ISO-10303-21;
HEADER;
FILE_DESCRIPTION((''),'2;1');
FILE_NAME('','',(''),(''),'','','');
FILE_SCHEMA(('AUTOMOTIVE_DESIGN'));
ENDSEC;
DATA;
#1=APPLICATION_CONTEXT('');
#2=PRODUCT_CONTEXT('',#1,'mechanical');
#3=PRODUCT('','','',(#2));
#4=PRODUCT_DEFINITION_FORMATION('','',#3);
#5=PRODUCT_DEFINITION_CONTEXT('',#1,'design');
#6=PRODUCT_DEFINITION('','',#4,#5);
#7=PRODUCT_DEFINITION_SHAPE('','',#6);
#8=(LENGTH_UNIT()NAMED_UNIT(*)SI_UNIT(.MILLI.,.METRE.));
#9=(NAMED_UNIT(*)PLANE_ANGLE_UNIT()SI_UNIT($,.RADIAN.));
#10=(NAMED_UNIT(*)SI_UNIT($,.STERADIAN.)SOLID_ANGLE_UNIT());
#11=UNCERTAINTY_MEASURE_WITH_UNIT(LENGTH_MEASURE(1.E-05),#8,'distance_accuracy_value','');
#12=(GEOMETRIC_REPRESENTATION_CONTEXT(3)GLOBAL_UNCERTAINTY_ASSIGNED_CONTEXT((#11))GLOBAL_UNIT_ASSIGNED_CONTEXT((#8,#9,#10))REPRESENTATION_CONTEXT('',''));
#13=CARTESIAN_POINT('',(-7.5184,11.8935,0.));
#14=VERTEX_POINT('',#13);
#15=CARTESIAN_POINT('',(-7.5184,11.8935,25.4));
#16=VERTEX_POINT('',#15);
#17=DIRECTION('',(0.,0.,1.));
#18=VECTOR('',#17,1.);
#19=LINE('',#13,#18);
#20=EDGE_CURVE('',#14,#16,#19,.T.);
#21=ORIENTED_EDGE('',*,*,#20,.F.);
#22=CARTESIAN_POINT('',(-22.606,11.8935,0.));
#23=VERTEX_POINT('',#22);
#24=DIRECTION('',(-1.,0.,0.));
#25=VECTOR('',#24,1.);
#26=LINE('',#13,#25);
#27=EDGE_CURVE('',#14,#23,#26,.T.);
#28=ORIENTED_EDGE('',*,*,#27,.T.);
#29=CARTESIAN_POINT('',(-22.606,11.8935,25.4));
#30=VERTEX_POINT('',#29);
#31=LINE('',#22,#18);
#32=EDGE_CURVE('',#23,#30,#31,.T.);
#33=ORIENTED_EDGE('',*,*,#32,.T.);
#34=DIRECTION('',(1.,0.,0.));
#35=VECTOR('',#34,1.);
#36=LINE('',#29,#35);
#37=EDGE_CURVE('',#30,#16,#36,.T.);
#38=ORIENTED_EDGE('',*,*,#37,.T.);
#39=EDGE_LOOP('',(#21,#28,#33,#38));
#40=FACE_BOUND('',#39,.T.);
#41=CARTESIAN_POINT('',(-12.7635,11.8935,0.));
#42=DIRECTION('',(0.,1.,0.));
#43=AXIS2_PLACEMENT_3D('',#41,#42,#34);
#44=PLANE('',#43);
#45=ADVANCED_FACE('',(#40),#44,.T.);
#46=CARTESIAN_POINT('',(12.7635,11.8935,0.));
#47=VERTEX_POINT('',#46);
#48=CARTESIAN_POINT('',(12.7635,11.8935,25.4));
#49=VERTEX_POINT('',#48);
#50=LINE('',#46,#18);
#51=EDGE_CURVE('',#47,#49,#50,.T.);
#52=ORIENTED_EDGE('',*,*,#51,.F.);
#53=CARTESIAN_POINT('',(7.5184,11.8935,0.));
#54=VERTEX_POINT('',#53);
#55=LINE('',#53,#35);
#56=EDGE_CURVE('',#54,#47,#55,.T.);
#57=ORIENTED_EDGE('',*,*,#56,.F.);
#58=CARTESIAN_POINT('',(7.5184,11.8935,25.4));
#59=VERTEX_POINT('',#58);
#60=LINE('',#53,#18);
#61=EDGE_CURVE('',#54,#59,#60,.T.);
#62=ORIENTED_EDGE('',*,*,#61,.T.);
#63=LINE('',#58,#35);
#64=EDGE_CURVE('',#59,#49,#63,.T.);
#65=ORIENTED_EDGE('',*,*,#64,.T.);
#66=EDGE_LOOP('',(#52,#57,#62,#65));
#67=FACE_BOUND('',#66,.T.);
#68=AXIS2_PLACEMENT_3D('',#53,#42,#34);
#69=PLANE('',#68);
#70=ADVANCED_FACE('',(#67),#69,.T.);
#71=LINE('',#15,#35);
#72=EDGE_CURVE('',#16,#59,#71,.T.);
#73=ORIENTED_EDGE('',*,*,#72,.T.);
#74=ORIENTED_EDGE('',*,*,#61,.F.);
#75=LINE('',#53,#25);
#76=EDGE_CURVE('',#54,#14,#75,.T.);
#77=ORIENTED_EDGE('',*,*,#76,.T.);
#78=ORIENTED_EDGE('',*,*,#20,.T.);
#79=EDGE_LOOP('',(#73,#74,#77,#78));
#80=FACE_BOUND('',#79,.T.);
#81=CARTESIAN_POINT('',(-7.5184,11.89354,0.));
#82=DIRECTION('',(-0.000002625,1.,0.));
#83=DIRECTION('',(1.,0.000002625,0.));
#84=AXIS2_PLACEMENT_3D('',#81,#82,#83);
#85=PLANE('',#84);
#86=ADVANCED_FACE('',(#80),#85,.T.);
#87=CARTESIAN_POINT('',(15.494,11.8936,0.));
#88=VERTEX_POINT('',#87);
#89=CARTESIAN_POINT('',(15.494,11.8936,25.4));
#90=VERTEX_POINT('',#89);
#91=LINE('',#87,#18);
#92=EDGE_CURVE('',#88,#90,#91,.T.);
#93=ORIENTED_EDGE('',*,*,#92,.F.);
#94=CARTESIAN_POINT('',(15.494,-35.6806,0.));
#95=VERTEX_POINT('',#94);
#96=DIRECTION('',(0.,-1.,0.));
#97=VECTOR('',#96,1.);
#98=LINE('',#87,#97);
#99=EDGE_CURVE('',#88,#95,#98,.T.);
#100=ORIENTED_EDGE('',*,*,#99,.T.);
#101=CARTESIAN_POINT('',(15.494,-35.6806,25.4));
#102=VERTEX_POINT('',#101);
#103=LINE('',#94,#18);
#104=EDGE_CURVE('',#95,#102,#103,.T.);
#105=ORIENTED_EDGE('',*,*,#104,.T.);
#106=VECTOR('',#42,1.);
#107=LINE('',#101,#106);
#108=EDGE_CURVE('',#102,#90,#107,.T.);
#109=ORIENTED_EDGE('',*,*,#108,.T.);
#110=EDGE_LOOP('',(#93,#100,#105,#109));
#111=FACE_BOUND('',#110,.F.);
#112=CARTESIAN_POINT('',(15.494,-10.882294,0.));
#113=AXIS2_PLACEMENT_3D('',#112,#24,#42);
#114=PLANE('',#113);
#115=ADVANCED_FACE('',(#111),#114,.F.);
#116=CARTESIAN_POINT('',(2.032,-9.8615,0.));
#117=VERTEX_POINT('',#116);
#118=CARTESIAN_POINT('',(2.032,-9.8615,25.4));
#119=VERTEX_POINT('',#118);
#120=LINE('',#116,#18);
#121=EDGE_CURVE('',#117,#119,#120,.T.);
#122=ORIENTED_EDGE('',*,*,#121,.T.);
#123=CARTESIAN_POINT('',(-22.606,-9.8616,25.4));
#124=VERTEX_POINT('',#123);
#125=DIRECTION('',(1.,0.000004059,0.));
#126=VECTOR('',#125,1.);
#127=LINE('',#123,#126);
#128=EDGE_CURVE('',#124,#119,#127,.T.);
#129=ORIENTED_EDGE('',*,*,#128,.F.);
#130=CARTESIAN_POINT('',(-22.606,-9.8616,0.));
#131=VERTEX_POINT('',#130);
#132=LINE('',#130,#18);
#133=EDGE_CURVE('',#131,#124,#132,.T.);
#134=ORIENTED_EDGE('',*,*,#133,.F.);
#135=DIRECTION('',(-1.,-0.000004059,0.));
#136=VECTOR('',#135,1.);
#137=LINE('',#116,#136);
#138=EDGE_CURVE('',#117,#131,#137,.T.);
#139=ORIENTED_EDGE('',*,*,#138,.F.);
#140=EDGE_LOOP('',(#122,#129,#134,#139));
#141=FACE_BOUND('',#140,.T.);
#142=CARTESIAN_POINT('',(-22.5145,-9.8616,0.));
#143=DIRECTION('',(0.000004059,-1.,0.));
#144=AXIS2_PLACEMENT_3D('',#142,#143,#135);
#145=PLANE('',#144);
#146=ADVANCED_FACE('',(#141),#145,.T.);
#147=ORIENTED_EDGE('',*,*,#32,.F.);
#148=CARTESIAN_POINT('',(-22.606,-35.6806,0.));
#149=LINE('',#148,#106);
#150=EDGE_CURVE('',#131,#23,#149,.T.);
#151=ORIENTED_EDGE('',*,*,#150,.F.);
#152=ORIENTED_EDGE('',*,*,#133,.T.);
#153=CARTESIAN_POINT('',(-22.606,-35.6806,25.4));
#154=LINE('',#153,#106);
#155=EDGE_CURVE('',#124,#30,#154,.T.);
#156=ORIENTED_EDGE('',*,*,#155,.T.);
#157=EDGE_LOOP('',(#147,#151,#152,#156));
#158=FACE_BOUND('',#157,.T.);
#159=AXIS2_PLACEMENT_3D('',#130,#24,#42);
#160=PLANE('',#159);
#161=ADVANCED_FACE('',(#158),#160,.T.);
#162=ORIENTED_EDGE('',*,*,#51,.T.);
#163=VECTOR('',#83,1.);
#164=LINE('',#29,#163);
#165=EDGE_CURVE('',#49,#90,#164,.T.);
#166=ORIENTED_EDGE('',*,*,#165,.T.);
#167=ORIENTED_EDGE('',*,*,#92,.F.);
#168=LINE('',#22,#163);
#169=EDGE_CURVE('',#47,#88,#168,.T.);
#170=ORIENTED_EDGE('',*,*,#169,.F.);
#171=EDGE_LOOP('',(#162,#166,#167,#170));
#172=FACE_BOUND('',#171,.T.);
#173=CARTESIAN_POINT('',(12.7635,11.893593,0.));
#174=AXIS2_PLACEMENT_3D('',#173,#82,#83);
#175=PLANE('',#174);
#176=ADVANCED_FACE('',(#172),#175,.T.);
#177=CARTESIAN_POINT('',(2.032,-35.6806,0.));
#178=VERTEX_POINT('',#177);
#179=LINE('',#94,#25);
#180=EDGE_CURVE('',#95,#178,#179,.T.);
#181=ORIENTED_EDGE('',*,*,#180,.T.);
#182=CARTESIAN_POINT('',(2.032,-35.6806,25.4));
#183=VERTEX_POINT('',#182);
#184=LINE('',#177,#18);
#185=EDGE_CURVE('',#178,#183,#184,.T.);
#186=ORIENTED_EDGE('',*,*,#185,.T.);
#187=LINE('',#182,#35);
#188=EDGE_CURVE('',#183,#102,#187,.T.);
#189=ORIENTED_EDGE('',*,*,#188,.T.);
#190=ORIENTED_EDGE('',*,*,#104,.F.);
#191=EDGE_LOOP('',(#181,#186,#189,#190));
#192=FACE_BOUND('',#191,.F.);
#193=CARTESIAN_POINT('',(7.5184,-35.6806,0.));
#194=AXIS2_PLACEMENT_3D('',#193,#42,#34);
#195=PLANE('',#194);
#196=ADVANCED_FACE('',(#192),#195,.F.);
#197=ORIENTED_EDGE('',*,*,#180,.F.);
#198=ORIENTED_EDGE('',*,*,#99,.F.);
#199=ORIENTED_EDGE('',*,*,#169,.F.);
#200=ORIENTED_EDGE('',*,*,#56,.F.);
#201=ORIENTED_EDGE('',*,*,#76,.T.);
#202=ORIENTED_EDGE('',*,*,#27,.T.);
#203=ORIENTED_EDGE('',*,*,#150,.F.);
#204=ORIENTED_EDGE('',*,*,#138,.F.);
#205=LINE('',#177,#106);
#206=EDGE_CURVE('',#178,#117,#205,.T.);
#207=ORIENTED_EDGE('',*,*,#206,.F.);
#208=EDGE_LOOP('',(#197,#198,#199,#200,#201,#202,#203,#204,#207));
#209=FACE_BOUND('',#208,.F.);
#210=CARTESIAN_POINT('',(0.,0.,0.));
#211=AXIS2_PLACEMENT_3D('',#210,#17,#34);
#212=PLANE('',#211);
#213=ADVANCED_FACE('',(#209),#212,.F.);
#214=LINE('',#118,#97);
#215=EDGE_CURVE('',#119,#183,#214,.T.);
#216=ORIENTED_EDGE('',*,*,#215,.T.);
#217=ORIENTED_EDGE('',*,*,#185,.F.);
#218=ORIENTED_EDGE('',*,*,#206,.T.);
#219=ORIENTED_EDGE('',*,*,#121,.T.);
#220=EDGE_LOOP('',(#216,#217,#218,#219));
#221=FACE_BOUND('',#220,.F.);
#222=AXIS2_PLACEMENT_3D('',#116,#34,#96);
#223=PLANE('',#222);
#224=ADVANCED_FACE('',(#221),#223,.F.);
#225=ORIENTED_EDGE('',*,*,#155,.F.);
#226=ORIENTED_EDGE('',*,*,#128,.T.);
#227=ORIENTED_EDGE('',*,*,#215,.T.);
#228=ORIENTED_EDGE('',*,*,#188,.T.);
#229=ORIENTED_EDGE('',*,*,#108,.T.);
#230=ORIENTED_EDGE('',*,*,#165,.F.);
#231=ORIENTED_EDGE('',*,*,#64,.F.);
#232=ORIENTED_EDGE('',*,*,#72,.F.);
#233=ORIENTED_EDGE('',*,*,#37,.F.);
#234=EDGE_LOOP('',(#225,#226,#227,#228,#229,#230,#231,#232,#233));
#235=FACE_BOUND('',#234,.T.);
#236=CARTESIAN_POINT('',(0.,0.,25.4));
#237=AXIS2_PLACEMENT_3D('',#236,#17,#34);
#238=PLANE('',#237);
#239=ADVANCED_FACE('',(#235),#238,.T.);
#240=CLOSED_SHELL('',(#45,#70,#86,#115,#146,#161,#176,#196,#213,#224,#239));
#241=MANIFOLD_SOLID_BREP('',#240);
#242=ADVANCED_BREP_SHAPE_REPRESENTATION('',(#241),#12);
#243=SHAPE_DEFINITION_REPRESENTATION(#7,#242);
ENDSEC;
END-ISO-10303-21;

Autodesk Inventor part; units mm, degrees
ref_plane "YZ Plane" through (0, 0, 0) normal (1, 0, 0) x (0, 1, 0)
ref_plane "XZ Plane" through (0, 0, 0) normal (0, 1, 0) x (-1, 0, 0)
ref_plane "XY Plane" through (0, 0, 0) normal (0, 0, 1) x (1, 0, 0)
ref_plane "Work Plane1" through (0, 0, 0) normal (0, 0, 1) x (1, 0, 0)
sketch "Sketch1" plane through (0, 0, 0) normal (0, 0, 1) x (1, 0, 0)
  line L0 (-7.5184, -0.3239) -> (-7.5184, 11.8935) projected
  line L1 (-12.7635, 11.8935) -> (-7.5184, 11.8935) projected
  line L2 (-12.7635, -35.6806) -> (-12.7635, 11.8935) projected
  line L3 (-12.7635, -35.6806) -> (-7.5184, -35.6806) projected
  line L4 (-7.5184, -23.4632) -> (-7.5184, -35.6806) projected
  line L5 (-4.826, -23.4632) -> (-7.5184, -23.4632) projected
  line L6 (-4.826, -21.9739) -> (-4.826, -23.4632) projected
  arc A0 (-4.826, -1.8132) -> (-4.826, -21.9739) centre (0, -11.8935) ccw projected
  line L7 (-4.826, -1.8132) -> (-4.826, -0.3239) projected
  line L8 (-4.826, -0.3239) -> (-7.5184, -0.3239) projected
  line L9 (7.5184, 11.8935) -> (7.5184, -0.3239) projected
  line L10 (7.5184, -0.3239) -> (4.826, -0.3239) projected
  line L11 (4.826, -0.3239) -> (4.826, -1.8132) projected
  arc A1 (4.826, -21.9739) -> (4.826, -1.8132) centre (0, -11.8935) ccw projected
  line L12 (4.826, -23.4632) -> (4.826, -21.9739) projected
  line L13 (7.5184, -23.4632) -> (4.826, -23.4632) projected
  line L14 (7.5184, -35.6806) -> (7.5184, -23.4632) projected
  line L15 (7.5184, -35.6806) -> (12.7635, -35.6806) projected
  line L16 (12.7635, 11.8935) -> (12.7635, -35.6806) projected
  line L17 (7.5184, 11.8935) -> (12.7635, 11.8935) projected
  circle A2 centre (0, -17.6085) radius 16.891 projected
  line L18 (0, -15.5765) -> (-22.4394, -15.5765) projected
  line L19 (2.032, 11.8935) -> (2.032, -35.6806) projected
  line L20 (0, -11.8935) -> (0, -34.4995)
  line L21 (2.032, -9.8615) -> (-22.606, -9.8616)
  line L22 (12.7635, -35.6806) -> (-22.606, -35.6806)
  line L23 (-22.606, -35.6806) -> (-22.606, 11.8935)
  line L24 (-22.606, 11.8935) -> (-12.7635, 11.8935)
  line L25 (-22.606, -35.6806) -> (15.494, -35.6806)
  line L26 (15.494, -35.6806) -> (15.494, 11.8936)
  line L27 (-22.606, 11.8935) -> (15.494, 11.8935)
  line L28 (15.494, 11.8935) -> (15.494, -35.6806)
  line L29 (15.494, -35.6806) -> (-22.606, -35.6806)
  line L30 (-22.606, -35.6806) -> (-22.606, 11.8935)
  arc A3 (-22.5145, -9.8615) -> (2.032, -34.408) centre (0, -11.8935) ccw
  arc A4 (2.032, -24.4299) -> (-2.032, -24.4299) centre (0, -11.8936) ccw projected
  point P0 (0, 0)
  point P1 (15.494, 11.8936)
  dimension "d0" = 38.1
extrude "Extrusion1" add sketch "Sketch1" along normal blind 25.4 contours L8 A4 A2 L2 L1 L0 | L0 L27 L19 A4 L8 | A4 L19 A2 L7 L8 | L8 L7 A2 A4 | L2 A2 L21 L23 L24 | L27 L9 L10 A4 L19 | A4 L10 L11 A2 L19 | A4 L21 L2 A2 | A2 L7 A0 L21 A4 | L2 L21 A2 | L17 L16 A2 A4 L10 L9 | A2 L19 L21 A0 L7 | A2 L11 A1 L12 L13 A4 L19 | A4 A2 L11 L10 | L27 L26 A2 L16 | A2 A4 L13 L12 A1 L11 | A2 L16 L14 L13 A4 | A2 L26 L16 | A4 L13 L14 A2 L19 | A2 L26 L25 L16 | L16 L15 L14 A2 | A2 L14 L22 L19
properties part number "Servo Mount"
